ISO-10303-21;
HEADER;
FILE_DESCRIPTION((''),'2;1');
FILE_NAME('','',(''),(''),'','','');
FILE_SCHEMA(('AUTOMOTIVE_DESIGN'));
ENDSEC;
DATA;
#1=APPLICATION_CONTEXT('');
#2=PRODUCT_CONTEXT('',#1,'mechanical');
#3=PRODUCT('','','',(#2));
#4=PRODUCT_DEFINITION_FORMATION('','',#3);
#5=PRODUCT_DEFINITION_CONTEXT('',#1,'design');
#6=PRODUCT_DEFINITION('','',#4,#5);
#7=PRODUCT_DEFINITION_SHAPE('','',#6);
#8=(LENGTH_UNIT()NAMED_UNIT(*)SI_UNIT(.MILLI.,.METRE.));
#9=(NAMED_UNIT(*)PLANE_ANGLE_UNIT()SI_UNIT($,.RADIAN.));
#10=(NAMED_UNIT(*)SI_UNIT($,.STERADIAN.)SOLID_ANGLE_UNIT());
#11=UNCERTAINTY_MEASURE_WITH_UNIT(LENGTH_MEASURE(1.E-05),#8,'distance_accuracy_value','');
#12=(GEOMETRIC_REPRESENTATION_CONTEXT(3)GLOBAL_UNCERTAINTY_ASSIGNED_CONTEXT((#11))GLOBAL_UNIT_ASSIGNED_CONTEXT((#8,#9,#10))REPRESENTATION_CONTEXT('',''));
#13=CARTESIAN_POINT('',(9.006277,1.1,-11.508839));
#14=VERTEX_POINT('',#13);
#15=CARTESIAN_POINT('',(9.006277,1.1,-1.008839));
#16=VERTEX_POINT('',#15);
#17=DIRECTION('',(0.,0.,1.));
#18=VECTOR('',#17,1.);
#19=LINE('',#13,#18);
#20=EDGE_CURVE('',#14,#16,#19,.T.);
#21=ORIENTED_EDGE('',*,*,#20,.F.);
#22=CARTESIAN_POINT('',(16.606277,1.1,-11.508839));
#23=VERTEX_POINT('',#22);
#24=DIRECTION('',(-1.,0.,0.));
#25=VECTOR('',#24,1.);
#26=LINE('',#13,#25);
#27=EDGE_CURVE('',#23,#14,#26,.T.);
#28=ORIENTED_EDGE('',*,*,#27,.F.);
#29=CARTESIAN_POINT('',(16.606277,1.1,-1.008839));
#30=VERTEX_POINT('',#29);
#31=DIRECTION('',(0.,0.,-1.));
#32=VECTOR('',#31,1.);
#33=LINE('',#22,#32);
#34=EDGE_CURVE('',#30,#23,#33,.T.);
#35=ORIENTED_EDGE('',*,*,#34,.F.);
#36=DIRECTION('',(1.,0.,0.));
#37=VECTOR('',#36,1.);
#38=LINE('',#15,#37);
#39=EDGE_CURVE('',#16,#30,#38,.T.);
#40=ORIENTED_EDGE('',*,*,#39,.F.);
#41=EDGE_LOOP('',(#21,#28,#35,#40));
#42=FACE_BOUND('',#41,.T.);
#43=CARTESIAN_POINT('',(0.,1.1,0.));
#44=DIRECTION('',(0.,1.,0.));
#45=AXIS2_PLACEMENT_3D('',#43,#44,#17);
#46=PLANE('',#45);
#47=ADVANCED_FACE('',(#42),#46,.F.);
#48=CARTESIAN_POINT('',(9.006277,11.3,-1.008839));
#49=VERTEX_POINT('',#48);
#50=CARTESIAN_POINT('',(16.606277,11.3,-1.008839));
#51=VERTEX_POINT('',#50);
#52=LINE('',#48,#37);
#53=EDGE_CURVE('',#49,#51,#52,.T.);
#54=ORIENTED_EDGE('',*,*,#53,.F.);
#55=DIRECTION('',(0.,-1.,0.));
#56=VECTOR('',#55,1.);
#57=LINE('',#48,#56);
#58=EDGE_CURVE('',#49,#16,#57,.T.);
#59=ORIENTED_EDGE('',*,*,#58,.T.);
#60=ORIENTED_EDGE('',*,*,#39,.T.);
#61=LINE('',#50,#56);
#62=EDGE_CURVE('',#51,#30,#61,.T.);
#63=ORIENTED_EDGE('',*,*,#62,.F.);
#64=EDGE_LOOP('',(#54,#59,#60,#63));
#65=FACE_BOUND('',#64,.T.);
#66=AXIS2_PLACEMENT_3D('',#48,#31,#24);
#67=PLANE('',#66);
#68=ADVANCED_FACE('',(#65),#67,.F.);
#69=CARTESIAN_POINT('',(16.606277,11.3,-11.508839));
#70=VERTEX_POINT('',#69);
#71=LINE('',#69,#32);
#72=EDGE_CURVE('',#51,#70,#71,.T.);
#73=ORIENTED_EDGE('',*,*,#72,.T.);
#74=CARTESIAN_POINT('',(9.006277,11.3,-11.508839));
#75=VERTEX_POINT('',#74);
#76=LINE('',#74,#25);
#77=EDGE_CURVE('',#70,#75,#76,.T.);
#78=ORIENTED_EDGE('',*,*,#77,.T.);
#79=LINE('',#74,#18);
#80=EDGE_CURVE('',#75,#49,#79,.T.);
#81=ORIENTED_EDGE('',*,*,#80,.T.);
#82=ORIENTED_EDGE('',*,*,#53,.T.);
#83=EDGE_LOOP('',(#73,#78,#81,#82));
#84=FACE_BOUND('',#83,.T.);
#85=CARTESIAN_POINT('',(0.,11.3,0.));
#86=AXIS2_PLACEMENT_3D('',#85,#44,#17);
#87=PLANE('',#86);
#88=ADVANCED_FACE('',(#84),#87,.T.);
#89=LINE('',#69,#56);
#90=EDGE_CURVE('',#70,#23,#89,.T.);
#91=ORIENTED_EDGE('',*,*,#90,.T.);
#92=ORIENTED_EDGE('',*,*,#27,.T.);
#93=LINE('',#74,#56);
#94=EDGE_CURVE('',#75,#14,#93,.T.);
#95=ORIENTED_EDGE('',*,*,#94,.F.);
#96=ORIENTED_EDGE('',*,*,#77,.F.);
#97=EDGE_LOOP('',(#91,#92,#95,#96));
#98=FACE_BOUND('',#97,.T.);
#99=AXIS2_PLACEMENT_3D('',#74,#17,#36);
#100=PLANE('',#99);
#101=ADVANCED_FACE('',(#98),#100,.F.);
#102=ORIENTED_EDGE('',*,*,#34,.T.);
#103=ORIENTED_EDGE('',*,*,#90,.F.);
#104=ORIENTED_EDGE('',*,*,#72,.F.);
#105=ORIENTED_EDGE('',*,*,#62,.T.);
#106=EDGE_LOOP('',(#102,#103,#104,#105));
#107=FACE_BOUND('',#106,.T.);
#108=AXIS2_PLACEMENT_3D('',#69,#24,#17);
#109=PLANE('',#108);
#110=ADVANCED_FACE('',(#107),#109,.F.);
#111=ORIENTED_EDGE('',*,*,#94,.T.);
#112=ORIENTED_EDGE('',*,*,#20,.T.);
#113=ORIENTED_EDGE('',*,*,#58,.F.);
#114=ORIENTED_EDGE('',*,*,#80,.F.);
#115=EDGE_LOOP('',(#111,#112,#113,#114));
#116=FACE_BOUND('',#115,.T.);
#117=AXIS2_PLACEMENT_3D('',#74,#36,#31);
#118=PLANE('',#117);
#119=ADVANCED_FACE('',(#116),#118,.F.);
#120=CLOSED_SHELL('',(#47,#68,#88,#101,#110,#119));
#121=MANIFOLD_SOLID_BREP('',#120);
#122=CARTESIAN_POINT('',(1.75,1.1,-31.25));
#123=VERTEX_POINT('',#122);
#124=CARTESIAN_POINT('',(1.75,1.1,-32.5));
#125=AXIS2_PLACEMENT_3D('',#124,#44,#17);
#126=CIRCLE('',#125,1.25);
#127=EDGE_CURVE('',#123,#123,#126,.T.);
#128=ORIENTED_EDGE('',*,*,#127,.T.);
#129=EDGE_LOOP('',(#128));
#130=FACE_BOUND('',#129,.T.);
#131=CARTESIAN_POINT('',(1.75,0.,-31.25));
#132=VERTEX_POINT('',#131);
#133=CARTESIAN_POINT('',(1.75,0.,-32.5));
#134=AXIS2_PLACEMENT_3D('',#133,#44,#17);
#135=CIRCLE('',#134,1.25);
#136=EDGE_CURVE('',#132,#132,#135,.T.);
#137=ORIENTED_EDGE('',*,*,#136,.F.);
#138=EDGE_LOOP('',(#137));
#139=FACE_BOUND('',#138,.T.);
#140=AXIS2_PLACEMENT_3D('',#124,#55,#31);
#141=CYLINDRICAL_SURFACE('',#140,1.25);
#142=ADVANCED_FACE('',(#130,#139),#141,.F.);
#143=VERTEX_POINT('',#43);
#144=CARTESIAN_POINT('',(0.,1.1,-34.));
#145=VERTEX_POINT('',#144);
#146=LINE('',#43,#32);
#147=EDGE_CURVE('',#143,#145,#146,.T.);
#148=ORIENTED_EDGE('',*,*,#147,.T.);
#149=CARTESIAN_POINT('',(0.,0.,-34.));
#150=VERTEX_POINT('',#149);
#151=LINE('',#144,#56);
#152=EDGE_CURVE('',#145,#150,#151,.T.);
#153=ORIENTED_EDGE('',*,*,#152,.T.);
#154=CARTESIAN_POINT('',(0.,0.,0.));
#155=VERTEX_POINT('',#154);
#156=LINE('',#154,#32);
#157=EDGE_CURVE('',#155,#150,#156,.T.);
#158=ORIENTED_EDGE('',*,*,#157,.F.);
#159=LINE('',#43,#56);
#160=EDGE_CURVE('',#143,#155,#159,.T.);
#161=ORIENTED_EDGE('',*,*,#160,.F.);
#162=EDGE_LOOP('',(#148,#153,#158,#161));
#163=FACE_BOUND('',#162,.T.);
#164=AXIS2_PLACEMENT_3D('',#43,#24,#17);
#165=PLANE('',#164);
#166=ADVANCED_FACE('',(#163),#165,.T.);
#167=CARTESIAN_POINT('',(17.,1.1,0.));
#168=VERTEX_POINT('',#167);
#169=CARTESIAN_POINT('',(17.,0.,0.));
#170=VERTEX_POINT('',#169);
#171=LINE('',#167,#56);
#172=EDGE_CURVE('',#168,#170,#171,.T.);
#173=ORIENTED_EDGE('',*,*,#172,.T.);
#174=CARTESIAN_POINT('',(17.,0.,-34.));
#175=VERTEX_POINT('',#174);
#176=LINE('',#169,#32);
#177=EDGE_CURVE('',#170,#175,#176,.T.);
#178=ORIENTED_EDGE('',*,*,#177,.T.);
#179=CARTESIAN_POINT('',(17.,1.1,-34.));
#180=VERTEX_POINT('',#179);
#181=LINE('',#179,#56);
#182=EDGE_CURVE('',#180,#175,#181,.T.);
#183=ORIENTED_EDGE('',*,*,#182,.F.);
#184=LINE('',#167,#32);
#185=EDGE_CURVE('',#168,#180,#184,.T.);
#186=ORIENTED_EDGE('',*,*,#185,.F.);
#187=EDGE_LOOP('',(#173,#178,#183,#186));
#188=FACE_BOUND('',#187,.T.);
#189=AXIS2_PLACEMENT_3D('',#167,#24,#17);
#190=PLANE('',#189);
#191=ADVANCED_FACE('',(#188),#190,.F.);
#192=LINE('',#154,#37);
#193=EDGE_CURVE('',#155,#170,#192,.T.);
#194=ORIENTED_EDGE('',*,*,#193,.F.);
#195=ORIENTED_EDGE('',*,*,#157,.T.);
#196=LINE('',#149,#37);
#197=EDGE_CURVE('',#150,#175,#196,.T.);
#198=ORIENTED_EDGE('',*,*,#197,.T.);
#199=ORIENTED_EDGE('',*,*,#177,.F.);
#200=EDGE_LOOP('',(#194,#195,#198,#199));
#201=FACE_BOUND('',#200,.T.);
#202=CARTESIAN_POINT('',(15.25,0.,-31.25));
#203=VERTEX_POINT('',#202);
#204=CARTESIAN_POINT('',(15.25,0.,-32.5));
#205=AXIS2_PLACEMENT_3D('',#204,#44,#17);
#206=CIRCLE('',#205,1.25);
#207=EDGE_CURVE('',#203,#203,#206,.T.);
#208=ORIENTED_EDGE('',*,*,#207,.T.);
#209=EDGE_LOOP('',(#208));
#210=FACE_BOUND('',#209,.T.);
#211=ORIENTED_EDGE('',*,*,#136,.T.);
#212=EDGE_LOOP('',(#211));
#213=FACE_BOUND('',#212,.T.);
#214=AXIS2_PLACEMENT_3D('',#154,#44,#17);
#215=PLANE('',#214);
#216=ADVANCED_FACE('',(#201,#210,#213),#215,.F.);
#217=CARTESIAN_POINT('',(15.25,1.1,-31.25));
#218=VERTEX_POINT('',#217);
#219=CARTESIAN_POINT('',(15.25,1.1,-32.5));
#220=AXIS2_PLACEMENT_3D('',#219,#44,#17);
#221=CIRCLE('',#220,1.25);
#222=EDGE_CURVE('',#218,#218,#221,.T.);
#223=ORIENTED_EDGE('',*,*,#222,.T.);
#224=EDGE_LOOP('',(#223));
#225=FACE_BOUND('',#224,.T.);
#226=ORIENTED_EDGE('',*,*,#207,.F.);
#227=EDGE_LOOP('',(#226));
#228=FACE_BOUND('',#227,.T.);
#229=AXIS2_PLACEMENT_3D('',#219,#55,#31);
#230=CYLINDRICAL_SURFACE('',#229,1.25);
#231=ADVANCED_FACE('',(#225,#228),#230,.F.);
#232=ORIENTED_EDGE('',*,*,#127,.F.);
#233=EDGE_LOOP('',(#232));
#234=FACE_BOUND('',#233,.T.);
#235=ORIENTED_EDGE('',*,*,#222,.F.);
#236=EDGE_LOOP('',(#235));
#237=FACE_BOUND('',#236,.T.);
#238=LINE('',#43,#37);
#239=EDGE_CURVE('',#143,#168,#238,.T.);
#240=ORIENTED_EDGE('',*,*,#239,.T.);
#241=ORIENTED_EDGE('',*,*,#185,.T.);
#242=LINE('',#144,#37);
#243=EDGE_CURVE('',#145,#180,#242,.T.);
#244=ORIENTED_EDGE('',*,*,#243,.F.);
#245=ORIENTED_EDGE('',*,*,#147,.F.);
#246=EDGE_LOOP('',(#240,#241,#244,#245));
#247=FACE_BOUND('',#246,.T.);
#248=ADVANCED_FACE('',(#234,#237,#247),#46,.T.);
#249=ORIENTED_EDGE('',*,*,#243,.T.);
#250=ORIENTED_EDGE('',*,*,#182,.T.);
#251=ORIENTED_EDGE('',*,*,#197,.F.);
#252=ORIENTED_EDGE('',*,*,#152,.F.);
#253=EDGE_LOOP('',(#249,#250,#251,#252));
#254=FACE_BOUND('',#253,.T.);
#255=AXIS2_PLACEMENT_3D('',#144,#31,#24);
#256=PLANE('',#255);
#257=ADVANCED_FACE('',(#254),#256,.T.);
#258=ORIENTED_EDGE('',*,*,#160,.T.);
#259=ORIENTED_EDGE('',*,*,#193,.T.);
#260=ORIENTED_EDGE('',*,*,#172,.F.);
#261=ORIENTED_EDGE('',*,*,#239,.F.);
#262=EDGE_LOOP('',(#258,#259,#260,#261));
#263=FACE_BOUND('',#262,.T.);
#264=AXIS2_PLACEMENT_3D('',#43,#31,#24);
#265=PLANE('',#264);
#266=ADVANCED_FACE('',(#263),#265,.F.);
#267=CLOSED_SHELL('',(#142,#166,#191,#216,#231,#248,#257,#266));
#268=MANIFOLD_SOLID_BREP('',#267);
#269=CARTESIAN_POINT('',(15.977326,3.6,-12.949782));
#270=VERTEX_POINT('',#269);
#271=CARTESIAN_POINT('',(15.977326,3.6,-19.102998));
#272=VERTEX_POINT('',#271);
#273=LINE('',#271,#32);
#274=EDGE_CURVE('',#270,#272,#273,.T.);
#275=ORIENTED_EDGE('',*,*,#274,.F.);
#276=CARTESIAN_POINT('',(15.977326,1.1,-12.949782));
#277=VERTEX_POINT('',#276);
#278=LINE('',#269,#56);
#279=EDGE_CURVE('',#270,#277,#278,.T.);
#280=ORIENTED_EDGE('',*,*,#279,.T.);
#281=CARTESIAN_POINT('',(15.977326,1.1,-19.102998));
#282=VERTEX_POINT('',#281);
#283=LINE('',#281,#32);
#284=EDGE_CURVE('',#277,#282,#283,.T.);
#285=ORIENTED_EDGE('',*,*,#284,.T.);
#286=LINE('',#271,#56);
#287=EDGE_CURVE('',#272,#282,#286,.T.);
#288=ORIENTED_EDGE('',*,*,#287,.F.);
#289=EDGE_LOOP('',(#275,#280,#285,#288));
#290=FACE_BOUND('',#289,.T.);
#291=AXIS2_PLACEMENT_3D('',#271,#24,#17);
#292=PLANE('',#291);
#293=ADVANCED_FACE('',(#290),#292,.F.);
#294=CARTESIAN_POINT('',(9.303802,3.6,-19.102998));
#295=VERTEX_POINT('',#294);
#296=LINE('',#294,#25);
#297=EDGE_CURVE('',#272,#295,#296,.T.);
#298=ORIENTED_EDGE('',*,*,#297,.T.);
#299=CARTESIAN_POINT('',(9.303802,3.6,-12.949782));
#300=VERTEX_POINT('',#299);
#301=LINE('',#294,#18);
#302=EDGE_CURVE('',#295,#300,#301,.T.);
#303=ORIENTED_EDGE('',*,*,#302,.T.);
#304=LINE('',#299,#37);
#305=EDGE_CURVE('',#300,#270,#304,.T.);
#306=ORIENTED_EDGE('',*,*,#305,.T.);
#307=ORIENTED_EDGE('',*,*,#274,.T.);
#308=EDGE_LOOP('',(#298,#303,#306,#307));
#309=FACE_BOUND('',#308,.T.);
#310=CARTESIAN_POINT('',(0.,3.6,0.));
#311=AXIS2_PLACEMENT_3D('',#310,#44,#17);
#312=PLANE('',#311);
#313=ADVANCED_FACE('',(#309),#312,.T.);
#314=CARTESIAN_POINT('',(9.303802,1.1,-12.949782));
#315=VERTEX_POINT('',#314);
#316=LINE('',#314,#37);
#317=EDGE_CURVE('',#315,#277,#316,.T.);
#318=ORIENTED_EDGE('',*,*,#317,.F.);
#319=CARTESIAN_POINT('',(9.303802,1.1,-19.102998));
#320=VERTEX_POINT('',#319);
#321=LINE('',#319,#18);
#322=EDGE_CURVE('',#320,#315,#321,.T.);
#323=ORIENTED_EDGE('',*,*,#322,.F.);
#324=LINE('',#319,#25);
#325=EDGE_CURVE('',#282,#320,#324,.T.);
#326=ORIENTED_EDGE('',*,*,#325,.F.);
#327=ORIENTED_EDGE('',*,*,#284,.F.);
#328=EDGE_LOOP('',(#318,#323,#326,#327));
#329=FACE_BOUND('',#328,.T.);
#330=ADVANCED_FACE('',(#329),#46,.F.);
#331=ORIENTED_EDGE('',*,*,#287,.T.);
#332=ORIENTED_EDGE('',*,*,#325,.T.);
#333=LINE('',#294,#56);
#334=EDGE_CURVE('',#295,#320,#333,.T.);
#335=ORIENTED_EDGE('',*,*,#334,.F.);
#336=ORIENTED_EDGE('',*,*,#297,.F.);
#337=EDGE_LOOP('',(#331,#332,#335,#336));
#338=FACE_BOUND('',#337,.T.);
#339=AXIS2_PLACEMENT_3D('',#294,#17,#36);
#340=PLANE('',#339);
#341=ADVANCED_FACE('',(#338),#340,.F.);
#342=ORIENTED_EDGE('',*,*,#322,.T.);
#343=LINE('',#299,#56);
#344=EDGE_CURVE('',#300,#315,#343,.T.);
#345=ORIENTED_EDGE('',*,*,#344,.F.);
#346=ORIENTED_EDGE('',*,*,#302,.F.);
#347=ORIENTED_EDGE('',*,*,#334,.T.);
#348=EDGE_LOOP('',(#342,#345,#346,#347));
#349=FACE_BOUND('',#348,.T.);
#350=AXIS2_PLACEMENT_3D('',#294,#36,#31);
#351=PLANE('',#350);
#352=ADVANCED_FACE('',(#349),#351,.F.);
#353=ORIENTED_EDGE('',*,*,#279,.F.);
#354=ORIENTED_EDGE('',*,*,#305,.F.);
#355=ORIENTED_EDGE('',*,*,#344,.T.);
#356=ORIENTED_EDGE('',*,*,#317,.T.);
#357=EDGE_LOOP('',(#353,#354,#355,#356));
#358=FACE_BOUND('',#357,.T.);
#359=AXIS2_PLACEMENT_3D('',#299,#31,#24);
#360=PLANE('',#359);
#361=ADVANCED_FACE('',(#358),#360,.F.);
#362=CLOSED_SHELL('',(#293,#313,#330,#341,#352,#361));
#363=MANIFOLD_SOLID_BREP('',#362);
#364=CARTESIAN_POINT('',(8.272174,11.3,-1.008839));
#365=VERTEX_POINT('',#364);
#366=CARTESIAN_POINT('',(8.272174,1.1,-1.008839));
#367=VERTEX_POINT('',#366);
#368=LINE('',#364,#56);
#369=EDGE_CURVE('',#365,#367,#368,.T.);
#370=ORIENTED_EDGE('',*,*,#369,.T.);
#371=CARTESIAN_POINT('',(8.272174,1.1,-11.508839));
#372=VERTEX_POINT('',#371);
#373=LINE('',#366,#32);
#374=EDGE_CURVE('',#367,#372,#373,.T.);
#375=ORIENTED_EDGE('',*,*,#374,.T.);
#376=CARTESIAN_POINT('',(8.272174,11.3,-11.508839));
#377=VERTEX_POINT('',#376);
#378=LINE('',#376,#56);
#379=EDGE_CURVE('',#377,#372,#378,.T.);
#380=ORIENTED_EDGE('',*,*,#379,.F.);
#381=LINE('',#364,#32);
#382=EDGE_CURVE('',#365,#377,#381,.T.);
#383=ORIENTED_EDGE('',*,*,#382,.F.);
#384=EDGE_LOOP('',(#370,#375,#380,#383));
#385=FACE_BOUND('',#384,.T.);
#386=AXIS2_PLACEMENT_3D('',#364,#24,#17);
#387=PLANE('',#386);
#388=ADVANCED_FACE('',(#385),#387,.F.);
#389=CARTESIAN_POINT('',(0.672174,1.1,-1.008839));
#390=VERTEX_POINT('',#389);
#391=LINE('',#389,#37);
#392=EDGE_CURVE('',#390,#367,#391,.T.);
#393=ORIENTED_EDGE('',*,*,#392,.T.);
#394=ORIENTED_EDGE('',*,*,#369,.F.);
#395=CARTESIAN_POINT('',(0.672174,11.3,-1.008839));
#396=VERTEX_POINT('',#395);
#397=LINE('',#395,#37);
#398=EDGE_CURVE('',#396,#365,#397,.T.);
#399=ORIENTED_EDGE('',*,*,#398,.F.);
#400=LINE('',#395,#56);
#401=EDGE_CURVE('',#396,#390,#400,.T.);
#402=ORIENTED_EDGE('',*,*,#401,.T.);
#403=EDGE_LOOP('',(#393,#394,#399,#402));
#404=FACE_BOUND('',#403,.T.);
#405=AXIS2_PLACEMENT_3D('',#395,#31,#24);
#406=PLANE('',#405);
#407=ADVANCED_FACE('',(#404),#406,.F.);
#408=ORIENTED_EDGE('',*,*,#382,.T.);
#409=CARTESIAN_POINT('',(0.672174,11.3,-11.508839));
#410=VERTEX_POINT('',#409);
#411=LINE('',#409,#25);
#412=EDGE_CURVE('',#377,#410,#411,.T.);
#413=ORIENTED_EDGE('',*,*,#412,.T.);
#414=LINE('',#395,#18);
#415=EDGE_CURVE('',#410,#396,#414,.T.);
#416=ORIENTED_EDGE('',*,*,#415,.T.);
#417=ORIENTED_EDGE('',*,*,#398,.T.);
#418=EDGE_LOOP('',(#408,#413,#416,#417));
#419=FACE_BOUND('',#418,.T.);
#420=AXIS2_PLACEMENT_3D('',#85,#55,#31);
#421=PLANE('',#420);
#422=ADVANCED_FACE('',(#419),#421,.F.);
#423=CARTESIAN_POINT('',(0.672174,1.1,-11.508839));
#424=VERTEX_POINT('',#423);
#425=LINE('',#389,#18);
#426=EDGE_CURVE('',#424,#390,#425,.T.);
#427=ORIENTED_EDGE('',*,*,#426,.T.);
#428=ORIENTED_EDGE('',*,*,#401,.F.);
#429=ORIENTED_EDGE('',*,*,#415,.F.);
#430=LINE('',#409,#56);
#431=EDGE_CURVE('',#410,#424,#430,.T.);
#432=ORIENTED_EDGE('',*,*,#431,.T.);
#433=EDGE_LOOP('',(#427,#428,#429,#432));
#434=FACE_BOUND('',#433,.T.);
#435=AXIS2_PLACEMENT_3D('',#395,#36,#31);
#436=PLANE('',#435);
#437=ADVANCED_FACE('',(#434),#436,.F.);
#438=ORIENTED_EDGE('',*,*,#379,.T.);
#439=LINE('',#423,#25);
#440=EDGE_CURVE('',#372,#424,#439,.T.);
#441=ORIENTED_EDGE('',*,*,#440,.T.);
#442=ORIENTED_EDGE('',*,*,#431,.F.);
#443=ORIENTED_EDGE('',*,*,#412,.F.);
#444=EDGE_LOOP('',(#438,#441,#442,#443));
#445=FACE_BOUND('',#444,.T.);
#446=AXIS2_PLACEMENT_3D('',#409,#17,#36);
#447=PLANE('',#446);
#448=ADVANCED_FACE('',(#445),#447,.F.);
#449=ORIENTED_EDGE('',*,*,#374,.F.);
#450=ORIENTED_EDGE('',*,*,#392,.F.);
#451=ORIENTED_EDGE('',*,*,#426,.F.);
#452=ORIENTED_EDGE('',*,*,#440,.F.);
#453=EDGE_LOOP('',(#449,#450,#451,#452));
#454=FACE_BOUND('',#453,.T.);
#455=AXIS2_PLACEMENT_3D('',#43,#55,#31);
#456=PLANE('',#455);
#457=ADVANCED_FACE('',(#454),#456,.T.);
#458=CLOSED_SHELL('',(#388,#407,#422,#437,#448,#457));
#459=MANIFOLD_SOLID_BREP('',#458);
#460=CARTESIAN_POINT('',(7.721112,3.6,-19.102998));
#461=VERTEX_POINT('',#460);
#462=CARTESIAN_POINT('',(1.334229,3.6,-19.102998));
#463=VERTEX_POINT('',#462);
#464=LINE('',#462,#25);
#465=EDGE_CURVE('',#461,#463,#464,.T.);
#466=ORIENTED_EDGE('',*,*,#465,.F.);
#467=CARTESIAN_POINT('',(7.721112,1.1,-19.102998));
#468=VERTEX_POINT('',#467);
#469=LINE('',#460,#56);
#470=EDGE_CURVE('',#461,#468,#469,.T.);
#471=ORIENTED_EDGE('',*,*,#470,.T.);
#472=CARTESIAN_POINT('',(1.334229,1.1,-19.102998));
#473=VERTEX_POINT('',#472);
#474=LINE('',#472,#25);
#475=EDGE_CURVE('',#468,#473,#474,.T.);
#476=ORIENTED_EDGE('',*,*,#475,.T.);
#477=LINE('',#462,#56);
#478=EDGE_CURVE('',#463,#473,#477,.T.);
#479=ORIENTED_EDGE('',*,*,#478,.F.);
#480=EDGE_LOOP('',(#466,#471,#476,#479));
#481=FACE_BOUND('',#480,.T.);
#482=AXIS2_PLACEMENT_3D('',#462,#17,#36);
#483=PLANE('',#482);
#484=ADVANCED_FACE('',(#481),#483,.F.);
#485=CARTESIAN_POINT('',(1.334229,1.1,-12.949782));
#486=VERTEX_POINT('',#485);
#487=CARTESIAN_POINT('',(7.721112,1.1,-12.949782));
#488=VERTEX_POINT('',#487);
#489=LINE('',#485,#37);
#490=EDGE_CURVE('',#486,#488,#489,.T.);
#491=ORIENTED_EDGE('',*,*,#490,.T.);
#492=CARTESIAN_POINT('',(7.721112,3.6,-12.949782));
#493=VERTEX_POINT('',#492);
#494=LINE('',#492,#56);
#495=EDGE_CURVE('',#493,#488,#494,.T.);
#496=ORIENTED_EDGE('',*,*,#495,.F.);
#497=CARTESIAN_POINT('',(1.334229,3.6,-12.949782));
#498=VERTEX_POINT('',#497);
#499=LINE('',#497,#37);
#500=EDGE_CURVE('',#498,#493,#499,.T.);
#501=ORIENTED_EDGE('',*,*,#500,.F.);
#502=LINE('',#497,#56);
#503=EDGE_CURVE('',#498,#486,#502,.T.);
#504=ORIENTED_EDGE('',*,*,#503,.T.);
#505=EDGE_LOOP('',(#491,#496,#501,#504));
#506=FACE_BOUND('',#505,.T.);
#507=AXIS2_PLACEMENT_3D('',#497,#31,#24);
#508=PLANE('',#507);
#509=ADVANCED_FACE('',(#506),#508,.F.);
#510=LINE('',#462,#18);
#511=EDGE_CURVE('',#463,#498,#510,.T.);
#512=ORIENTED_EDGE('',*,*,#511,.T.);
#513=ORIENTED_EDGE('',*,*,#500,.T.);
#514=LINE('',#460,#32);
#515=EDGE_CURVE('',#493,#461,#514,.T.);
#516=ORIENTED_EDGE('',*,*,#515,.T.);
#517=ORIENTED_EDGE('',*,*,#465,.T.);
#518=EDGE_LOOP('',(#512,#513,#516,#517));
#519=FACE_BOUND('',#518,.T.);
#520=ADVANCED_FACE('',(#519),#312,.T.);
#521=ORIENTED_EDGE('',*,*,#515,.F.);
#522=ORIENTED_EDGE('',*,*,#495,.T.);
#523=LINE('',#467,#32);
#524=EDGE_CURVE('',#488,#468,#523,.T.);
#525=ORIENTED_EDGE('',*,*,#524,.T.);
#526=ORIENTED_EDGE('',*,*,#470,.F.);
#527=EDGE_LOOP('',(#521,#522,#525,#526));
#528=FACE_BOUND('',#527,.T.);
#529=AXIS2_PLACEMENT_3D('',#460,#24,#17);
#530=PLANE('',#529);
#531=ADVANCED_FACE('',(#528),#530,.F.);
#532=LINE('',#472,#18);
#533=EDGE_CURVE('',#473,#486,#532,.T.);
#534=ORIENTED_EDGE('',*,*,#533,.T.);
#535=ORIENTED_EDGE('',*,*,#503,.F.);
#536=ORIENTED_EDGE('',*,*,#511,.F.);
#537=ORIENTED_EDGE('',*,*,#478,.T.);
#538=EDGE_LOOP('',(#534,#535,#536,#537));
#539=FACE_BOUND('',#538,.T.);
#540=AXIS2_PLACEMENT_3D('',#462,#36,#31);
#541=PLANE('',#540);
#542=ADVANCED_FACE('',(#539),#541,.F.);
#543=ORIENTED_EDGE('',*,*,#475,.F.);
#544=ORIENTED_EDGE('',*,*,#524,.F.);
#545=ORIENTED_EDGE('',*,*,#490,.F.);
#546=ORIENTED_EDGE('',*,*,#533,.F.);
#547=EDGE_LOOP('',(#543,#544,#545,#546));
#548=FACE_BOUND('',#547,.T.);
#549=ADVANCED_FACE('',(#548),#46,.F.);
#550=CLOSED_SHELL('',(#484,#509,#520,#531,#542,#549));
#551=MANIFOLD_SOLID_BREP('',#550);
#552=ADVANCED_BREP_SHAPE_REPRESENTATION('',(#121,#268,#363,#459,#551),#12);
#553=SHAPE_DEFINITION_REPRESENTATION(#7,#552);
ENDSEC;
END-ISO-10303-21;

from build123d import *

# Parameters (mm, degrees)
SKETCH1_W             = 17
SKETCH1_H             = 34
SKETCH1_R             = 1.25
BOSS_EXTRUDE1_DEPTH   = 1.1
SKETCH2_W             = 7.6
SKETCH2_H             = 10.5
BOSS_EXTRUDE2_DEPTH   = 10.2
BOSS_EXTRUDE2_2_DEPTH = 10.2
SKETCH3_W             = 6.386882644
SKETCH3_H             = 6.153216206
BOSS_EXTRUDE3_DEPTH   = 2.5
SKETCH3_W_2           = 6.673523979
BOSS_EXTRUDE3_2_DEPTH = 2.5


with BuildPart() as part:
    # Sketch1 → Boss-Extrude1 (new body)
    with BuildSketch(Plane(origin=(0, 0, 0), x_dir=(1, 0, 0), z_dir=(0, 1, 0))):
        with Locations((8.5, 17)):
            Rectangle(SKETCH1_W, SKETCH1_H)
        with Locations(Location((1.75, 32.5, 0), (0, 0, 270))):
            Circle(SKETCH1_R, mode=Mode.SUBTRACT)
        with Locations(Location((15.25, 32.5, 0), (0, 0, 270))):
            Circle(SKETCH1_R, mode=Mode.SUBTRACT)
    extrude(amount=BOSS_EXTRUDE1_DEPTH)


with BuildPart() as body_2:
    # Sketch2 → Boss-Extrude2 (new body)
    with BuildSketch(Plane(origin=(0, 1.1, 0), x_dir=(1, 0, 0), z_dir=(0, 1, 0))):
        with Locations((4.472174321, 6.258838703)):
            Rectangle(SKETCH2_W, SKETCH2_H)
    extrude(amount=BOSS_EXTRUDE2_DEPTH)


with BuildPart() as body_3:
    # Sketch2 → Boss-Extrude2 2 (new body)
    with BuildSketch(Plane(origin=(0, 1.1, 0), x_dir=(1, 0, 0), z_dir=(0, 1, 0))):
        with Locations((12.806277283, 6.258838703)):
            Rectangle(SKETCH2_W, SKETCH2_H)
    extrude(amount=BOSS_EXTRUDE2_2_DEPTH)


with BuildPart() as body_4:
    # Sketch3 → Boss-Extrude3 (new body)
    with BuildSketch(Plane(origin=(0, 1.1, 0), x_dir=(1, 0, 0), z_dir=(0, 1, 0))):
        with Locations((4.527670551, 16.026389841)):
            Rectangle(SKETCH3_W, SKETCH3_H)
    extrude(amount=BOSS_EXTRUDE3_DEPTH)


with BuildPart() as body_5:
    # Sketch3 → Boss-Extrude3 2 (new body)
    with BuildSketch(Plane(origin=(0, 1.1, 0), x_dir=(1, 0, 0), z_dir=(0, 1, 0))):
        with Locations((12.640564033, 16.026389841)):
            Rectangle(SKETCH3_W_2, SKETCH3_H)
    extrude(amount=BOSS_EXTRUDE3_2_DEPTH)


solid = Compound([part.part, body_2.part, body_3.part, body_4.part, body_5.part])
